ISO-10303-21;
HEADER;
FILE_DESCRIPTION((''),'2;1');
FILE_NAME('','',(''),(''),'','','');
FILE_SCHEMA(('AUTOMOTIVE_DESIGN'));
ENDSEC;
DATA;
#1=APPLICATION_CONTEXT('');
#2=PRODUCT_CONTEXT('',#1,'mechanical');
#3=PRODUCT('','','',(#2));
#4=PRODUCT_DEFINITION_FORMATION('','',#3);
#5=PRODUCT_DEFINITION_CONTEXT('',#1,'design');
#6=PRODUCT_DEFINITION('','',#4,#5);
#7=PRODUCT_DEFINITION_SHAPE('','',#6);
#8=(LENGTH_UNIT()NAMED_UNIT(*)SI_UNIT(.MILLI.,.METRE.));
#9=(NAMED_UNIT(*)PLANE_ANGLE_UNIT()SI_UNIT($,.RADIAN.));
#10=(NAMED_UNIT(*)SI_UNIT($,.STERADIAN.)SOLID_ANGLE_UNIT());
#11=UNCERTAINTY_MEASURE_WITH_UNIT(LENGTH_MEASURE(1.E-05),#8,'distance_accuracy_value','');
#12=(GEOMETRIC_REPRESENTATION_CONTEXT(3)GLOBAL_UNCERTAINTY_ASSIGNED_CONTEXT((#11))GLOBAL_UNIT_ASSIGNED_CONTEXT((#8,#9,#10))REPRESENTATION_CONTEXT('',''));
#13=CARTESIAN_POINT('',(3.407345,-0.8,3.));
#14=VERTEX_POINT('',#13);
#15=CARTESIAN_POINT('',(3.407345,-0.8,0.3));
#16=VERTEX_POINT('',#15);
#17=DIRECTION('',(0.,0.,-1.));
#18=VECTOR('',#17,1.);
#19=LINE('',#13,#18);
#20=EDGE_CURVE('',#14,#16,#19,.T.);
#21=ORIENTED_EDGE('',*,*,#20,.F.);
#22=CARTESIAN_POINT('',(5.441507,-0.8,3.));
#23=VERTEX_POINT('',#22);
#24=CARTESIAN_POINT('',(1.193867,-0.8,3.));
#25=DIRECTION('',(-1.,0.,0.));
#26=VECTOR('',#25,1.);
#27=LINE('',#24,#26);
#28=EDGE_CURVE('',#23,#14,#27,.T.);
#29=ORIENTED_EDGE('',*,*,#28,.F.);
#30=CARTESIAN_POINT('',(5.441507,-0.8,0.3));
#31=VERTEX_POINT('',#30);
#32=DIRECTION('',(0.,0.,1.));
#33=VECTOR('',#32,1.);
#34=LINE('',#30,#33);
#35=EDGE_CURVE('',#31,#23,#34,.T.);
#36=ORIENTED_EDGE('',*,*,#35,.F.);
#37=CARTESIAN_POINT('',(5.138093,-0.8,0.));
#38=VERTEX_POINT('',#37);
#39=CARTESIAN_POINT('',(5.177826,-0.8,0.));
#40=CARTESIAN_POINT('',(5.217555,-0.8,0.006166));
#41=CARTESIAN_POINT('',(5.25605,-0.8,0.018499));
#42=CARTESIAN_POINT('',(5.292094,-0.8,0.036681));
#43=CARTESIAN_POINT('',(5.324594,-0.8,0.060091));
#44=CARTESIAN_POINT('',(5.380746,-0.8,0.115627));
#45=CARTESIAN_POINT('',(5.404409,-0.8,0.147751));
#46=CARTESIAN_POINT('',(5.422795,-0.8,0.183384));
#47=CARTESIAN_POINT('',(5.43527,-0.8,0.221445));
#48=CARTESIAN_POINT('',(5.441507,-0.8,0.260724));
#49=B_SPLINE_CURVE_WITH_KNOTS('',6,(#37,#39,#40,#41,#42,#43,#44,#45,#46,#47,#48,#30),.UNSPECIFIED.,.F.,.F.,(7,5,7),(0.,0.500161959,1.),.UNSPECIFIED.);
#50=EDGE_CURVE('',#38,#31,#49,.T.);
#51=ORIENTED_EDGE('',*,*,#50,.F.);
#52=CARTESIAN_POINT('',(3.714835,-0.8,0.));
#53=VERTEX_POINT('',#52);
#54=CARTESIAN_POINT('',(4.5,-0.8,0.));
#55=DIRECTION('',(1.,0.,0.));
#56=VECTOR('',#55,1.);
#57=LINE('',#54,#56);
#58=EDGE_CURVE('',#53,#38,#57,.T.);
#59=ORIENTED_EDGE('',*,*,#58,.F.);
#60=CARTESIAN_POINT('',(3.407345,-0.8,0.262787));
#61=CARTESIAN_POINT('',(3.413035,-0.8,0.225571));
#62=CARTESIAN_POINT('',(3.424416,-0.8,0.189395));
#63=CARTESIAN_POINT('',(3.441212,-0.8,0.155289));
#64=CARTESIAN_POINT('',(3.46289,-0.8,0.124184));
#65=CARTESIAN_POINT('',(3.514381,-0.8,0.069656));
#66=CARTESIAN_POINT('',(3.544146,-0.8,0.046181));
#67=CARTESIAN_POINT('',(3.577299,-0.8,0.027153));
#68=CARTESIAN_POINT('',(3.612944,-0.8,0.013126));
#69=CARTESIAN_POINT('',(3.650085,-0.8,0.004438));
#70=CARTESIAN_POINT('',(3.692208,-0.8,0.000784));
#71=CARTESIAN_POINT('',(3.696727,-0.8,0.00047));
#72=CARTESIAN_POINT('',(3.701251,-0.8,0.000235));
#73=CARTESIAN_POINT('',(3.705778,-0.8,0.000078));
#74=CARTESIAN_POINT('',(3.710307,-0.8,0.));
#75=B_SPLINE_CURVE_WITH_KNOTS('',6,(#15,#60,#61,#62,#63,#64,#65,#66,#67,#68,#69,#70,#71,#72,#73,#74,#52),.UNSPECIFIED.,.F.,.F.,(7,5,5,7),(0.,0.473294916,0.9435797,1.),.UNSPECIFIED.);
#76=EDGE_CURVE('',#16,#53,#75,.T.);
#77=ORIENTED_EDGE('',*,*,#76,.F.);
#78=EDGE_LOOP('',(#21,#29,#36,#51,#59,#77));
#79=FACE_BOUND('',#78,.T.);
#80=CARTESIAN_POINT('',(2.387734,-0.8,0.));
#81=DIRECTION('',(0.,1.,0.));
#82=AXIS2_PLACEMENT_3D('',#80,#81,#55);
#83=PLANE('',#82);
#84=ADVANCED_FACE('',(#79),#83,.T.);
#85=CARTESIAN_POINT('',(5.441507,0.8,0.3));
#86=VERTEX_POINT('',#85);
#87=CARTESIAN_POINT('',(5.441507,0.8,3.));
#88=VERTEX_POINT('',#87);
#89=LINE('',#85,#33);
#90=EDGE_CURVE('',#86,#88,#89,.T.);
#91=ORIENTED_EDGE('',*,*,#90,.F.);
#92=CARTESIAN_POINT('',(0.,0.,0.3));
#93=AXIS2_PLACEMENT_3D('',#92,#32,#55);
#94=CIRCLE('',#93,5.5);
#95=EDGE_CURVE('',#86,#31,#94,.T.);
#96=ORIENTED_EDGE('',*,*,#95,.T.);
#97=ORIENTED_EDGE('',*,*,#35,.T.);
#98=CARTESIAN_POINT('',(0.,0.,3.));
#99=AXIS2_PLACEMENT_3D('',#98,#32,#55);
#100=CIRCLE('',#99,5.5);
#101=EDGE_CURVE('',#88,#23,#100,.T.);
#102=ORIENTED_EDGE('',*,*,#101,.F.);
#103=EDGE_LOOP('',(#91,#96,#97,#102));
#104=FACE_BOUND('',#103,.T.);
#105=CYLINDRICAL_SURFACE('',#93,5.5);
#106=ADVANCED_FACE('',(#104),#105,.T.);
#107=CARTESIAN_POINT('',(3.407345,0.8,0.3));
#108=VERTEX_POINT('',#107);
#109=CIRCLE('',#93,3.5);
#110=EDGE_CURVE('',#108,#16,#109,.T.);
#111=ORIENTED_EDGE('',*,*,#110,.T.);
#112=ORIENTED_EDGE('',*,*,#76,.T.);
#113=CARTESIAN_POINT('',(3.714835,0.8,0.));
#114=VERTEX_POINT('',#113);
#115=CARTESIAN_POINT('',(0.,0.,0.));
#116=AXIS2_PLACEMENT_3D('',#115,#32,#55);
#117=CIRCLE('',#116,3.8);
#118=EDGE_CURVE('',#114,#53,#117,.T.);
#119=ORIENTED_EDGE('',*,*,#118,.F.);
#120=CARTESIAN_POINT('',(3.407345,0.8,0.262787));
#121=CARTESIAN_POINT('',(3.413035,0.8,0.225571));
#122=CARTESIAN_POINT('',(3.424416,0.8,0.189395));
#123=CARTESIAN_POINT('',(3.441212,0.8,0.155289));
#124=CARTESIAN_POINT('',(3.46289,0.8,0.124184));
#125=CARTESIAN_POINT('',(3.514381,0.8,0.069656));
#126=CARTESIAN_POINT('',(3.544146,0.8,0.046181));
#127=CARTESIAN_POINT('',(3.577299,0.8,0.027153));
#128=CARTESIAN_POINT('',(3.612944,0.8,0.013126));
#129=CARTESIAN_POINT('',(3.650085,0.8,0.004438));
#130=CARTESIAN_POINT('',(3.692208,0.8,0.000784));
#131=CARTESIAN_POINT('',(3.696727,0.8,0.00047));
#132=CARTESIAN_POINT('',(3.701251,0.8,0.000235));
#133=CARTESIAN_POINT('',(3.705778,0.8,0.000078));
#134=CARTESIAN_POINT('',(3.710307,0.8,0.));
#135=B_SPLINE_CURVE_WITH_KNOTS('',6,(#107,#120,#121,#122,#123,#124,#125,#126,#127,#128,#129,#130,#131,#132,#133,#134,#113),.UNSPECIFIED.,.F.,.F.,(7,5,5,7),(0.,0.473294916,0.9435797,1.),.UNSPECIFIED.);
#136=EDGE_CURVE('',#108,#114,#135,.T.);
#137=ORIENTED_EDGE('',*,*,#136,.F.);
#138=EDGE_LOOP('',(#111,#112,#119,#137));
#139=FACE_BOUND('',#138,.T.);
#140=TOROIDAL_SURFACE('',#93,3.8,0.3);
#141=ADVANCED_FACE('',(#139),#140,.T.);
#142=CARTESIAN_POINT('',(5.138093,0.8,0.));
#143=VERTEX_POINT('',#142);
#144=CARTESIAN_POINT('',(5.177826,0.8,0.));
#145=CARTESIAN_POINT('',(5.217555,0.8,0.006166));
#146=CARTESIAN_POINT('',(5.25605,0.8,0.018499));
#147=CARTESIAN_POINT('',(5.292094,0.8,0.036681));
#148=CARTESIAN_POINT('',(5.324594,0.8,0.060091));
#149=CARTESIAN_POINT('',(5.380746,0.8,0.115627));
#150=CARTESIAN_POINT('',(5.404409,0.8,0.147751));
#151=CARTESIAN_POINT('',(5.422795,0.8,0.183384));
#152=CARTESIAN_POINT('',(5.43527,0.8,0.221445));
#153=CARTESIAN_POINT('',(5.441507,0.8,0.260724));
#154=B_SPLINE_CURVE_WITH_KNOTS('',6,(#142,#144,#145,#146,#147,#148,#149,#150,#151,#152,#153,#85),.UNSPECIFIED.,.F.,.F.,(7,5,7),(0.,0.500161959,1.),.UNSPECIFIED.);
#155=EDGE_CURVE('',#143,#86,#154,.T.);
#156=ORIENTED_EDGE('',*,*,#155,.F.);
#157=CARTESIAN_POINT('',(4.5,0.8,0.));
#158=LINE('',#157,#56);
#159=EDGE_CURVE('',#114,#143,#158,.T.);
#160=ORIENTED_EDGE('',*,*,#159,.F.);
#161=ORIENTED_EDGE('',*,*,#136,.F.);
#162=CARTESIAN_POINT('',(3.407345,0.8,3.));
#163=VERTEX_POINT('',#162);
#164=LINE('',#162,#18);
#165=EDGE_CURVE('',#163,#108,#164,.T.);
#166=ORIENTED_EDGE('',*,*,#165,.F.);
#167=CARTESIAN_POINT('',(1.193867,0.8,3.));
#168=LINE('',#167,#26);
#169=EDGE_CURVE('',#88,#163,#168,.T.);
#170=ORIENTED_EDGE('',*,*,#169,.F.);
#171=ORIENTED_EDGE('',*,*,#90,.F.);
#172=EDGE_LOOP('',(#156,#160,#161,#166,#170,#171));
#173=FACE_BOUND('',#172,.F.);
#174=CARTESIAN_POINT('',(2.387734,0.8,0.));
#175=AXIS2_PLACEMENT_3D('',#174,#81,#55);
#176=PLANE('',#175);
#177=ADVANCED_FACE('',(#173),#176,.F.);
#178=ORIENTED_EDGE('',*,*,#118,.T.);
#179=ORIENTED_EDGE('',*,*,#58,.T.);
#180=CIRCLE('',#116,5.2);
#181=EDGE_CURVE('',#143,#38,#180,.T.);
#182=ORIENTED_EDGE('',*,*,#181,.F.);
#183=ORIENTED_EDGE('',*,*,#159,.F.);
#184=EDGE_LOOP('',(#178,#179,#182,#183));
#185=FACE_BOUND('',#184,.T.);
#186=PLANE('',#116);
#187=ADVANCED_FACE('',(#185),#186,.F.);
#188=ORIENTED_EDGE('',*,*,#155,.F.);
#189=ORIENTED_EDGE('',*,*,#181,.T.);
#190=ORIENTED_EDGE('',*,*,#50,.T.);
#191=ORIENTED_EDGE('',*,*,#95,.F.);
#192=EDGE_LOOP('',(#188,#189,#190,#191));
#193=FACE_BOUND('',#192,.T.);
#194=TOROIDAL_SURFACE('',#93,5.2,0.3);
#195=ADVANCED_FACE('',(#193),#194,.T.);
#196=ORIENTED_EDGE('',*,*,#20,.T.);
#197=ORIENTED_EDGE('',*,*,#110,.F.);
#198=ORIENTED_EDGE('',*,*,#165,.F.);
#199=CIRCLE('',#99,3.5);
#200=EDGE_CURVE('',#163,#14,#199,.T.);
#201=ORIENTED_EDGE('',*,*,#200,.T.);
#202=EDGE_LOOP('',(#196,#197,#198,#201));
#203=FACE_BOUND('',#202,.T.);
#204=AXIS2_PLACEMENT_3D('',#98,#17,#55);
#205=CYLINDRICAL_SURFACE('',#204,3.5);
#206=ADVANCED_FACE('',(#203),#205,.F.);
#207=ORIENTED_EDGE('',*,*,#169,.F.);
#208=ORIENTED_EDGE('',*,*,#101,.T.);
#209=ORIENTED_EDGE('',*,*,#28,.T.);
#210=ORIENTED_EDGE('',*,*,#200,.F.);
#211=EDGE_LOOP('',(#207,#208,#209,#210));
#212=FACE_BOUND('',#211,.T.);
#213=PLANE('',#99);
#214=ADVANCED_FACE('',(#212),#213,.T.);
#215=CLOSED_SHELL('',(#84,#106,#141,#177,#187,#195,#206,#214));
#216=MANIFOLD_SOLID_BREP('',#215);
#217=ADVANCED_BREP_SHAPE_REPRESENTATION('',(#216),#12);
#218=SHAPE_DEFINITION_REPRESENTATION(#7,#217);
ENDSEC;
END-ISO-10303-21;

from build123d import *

# Parameters (mm, degrees)
F2_W     = 4.224532
F2_H     = 1.6
F3_DEPTH = 4


with BuildPart() as f1:
    # F0 (on Front) → F1 (revolve)
    with BuildSketch(Plane.XZ):
        with BuildLine():
            ThreePointArc((3.5, 0.3), (3.587868, 0.087868), (3.8, 0))
            Line((3.8, 0), (5.2, 0))
            ThreePointArc((5.2, 0), (5.412132, 0.087868), (5.5, 0.3))
            Line((5.5, 0.3), (5.5, 3))
            Line((5.5, 3), (3.5, 3))
            Line((3.5, 3), (3.5, 0.3))
        make_face()
    revolve(axis=Axis((0, 0, 3.851013), (0, 0, 1)))

    # F2 (on Top) → F3 (cut)
    with BuildSketch(Plane.XY):
        with Locations((4.5, 0)):
            Rectangle(F2_W, F2_H)
    extrude(amount=F3_DEPTH, mode=Mode.SUBTRACT)


solid = f1.part
